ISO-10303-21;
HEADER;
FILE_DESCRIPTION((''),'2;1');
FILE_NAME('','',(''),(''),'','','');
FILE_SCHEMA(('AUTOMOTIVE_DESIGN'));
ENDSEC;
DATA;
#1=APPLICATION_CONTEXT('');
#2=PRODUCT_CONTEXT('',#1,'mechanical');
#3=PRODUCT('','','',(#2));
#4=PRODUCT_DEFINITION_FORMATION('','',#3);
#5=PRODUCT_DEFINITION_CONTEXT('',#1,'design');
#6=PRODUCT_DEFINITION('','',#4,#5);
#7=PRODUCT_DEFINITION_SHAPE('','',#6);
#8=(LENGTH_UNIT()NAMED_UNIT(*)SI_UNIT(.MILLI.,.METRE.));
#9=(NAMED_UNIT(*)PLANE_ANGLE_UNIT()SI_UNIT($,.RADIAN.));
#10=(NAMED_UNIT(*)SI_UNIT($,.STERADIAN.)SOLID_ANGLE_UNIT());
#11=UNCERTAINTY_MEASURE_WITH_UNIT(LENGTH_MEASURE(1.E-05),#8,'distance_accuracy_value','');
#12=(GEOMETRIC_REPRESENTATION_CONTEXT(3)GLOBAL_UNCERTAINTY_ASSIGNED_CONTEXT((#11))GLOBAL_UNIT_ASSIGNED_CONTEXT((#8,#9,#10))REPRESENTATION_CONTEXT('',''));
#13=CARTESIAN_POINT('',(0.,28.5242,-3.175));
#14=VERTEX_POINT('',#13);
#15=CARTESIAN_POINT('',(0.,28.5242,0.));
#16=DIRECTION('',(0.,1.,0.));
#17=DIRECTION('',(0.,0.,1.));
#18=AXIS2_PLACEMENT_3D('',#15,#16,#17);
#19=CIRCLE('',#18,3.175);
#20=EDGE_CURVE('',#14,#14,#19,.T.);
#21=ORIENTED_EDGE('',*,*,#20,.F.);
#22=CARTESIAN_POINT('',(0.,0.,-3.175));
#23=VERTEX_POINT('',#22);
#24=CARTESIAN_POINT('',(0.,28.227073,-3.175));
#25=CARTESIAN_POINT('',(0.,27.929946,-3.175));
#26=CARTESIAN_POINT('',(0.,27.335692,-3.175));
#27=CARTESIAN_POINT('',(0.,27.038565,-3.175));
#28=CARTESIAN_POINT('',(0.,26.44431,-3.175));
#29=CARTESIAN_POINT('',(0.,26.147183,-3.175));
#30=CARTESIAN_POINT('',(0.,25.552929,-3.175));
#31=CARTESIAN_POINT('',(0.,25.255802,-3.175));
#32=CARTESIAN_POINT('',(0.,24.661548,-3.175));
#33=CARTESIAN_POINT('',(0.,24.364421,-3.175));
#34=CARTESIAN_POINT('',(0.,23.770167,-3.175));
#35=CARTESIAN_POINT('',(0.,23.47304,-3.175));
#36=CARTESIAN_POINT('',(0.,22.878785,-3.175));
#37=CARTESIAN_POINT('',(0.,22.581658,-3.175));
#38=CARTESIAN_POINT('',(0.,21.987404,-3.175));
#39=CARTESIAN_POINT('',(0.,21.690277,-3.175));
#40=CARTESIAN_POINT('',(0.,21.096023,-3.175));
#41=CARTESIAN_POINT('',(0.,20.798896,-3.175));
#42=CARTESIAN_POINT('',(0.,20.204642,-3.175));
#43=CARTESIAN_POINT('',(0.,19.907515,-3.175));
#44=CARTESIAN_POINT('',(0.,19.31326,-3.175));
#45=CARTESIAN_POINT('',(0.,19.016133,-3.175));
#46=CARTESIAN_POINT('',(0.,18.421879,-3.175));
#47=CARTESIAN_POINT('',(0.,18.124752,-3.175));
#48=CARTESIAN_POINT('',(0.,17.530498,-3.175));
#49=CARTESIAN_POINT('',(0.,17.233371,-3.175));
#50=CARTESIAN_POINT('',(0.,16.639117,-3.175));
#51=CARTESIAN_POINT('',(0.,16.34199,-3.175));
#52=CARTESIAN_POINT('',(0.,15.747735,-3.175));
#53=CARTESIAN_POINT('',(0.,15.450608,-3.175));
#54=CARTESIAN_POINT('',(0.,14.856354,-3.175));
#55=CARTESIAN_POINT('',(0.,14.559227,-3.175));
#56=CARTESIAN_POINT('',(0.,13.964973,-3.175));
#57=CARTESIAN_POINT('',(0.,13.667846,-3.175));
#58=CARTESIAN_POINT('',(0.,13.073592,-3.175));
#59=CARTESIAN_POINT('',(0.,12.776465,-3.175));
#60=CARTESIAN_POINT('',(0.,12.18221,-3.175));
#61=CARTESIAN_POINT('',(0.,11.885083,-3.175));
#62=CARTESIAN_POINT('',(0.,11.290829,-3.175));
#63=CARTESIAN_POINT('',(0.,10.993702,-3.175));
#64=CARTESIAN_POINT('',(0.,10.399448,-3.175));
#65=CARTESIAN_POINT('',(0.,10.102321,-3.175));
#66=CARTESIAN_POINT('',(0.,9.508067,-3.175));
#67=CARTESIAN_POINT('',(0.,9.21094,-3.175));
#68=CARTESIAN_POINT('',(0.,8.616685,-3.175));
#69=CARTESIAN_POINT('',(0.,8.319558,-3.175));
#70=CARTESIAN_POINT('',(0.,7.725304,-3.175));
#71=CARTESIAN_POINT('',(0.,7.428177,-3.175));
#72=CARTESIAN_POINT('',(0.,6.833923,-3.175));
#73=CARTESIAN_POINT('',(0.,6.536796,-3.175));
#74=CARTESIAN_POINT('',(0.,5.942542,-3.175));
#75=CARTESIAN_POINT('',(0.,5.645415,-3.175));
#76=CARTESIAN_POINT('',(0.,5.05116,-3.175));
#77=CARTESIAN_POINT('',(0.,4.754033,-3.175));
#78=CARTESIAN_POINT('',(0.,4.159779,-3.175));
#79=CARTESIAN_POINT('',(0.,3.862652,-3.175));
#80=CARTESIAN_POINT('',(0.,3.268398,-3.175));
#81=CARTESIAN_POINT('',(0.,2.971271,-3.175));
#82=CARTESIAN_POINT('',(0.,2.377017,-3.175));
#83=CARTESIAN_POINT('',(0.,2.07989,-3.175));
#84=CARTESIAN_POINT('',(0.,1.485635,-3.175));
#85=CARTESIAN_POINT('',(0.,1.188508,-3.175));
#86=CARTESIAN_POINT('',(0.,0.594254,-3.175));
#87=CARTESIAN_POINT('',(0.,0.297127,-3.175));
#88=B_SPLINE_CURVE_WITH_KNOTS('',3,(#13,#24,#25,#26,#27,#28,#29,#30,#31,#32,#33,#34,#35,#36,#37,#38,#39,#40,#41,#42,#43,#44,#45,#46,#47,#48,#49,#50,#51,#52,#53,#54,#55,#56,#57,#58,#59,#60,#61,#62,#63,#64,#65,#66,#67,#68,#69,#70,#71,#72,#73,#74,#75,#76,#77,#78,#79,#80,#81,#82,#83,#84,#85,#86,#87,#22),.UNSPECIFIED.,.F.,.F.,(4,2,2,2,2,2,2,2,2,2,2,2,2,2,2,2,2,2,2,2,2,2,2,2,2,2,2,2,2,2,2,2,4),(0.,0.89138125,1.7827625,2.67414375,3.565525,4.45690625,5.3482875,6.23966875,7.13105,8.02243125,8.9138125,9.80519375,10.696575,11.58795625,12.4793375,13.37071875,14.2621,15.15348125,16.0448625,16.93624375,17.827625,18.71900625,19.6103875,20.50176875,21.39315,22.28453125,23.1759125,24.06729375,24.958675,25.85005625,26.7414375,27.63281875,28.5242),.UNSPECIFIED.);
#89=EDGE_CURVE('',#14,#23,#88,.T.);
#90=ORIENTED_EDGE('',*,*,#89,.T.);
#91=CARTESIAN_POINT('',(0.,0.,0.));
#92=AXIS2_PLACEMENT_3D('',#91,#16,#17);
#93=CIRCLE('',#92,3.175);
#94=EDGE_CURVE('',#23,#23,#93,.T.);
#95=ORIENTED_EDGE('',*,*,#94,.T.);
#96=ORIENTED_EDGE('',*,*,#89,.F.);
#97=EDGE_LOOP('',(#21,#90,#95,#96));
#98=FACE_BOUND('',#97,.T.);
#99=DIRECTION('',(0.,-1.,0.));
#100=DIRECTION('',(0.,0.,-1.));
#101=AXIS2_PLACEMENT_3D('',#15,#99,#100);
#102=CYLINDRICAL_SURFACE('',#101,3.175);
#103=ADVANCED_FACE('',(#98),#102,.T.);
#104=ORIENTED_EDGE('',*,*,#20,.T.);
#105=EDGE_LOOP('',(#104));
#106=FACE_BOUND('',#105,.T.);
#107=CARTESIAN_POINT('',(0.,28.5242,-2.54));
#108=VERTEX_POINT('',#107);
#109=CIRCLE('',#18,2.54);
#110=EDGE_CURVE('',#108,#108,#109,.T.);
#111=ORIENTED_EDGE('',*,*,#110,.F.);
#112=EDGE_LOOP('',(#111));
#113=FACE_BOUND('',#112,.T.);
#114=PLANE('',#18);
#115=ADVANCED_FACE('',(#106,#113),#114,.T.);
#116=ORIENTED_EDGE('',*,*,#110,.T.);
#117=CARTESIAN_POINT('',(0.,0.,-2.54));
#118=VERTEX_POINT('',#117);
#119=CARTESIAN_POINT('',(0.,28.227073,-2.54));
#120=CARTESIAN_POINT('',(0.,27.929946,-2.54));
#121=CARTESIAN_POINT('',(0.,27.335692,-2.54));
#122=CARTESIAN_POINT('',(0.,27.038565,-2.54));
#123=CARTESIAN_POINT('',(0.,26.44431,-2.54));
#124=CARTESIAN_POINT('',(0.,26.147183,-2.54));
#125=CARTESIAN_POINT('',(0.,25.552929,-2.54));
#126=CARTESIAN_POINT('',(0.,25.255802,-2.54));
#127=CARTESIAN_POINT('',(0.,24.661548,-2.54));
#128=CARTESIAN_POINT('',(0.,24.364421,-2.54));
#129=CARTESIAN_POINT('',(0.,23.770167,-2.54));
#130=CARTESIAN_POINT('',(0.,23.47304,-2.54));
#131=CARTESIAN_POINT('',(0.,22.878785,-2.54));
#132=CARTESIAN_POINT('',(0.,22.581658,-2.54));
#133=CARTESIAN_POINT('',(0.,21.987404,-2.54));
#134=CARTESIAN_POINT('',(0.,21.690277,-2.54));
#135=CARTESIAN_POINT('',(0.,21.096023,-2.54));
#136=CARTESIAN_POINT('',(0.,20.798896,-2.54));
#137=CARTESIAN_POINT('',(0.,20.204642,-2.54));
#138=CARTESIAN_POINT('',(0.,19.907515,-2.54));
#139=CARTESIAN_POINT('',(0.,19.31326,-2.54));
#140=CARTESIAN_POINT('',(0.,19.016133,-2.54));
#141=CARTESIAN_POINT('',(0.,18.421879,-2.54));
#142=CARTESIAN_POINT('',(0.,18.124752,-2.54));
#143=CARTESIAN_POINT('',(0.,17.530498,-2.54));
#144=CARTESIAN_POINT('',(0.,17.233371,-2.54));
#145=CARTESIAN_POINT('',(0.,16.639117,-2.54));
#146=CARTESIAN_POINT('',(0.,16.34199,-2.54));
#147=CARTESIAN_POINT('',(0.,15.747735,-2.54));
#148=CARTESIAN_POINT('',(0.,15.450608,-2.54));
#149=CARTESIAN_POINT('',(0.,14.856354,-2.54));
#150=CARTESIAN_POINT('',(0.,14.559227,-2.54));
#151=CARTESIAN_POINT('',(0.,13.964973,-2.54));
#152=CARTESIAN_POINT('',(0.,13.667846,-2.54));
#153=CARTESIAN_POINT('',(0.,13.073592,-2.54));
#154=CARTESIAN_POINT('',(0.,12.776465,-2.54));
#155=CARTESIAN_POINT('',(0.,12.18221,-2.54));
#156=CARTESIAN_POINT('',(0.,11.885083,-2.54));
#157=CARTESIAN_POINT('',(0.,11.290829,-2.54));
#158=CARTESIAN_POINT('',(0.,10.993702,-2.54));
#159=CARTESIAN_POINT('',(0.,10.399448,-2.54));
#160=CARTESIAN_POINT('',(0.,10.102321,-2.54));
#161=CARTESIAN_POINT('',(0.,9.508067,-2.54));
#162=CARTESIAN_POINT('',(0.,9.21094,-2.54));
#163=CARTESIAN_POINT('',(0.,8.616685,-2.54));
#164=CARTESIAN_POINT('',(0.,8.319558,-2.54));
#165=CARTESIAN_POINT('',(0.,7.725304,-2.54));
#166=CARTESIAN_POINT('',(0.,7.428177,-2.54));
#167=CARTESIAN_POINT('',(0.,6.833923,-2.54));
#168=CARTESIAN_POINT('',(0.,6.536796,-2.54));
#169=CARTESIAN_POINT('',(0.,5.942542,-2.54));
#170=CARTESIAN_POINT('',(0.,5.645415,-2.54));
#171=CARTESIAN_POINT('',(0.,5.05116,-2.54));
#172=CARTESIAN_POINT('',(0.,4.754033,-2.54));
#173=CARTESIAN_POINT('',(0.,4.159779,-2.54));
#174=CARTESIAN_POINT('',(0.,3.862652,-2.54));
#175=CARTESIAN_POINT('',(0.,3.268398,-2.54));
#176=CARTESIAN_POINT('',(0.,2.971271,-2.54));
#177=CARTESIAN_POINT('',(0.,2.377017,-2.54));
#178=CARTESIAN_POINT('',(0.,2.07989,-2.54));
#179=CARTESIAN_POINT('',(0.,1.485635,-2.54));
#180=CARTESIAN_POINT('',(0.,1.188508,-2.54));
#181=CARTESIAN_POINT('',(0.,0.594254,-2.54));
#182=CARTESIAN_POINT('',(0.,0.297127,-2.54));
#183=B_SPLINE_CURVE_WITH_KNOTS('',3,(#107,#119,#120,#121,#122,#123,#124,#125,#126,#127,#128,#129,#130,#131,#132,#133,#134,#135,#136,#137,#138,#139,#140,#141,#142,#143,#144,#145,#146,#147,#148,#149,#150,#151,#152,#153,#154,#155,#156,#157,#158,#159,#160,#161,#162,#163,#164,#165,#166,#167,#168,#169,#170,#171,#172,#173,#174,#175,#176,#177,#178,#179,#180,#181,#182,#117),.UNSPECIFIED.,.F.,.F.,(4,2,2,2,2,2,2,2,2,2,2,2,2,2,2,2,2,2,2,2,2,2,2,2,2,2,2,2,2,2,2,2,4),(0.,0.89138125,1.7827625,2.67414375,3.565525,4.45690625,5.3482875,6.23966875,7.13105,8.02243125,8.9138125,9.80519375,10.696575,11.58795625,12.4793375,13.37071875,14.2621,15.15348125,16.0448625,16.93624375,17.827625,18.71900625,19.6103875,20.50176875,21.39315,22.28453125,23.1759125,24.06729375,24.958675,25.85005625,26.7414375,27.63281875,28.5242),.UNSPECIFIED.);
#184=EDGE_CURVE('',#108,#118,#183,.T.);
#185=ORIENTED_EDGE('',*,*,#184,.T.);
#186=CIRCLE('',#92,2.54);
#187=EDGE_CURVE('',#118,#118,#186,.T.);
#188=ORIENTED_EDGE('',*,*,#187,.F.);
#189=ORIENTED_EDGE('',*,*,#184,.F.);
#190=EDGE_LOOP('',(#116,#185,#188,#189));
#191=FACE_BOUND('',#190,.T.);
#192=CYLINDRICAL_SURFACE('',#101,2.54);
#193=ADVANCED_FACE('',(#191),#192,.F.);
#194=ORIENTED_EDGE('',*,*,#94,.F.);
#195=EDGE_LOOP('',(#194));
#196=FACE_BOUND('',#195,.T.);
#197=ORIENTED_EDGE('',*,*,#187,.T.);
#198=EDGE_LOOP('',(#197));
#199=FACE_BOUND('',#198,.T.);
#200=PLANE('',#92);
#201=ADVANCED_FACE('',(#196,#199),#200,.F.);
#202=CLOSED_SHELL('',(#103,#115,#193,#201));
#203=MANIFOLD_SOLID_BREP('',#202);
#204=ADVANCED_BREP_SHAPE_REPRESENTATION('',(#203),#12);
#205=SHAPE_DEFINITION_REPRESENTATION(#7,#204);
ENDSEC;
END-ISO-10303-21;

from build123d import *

# Parameters (mm, degrees)
SKETCH1_R           = 3.175
SKETCH1_R_2         = 2.54
BOSS_EXTRUDE1_DEPTH = 28.5242


with BuildPart() as part:
    # Sketch1 → Boss-Extrude1 (new body)
    with BuildSketch(Plane(origin=(0, 0, 0), x_dir=(1, 0, 0), z_dir=(0, 1, 0))):
        Circle(SKETCH1_R)
        Circle(SKETCH1_R_2, mode=Mode.SUBTRACT)
    extrude(amount=BOSS_EXTRUDE1_DEPTH)


solid = part.part
